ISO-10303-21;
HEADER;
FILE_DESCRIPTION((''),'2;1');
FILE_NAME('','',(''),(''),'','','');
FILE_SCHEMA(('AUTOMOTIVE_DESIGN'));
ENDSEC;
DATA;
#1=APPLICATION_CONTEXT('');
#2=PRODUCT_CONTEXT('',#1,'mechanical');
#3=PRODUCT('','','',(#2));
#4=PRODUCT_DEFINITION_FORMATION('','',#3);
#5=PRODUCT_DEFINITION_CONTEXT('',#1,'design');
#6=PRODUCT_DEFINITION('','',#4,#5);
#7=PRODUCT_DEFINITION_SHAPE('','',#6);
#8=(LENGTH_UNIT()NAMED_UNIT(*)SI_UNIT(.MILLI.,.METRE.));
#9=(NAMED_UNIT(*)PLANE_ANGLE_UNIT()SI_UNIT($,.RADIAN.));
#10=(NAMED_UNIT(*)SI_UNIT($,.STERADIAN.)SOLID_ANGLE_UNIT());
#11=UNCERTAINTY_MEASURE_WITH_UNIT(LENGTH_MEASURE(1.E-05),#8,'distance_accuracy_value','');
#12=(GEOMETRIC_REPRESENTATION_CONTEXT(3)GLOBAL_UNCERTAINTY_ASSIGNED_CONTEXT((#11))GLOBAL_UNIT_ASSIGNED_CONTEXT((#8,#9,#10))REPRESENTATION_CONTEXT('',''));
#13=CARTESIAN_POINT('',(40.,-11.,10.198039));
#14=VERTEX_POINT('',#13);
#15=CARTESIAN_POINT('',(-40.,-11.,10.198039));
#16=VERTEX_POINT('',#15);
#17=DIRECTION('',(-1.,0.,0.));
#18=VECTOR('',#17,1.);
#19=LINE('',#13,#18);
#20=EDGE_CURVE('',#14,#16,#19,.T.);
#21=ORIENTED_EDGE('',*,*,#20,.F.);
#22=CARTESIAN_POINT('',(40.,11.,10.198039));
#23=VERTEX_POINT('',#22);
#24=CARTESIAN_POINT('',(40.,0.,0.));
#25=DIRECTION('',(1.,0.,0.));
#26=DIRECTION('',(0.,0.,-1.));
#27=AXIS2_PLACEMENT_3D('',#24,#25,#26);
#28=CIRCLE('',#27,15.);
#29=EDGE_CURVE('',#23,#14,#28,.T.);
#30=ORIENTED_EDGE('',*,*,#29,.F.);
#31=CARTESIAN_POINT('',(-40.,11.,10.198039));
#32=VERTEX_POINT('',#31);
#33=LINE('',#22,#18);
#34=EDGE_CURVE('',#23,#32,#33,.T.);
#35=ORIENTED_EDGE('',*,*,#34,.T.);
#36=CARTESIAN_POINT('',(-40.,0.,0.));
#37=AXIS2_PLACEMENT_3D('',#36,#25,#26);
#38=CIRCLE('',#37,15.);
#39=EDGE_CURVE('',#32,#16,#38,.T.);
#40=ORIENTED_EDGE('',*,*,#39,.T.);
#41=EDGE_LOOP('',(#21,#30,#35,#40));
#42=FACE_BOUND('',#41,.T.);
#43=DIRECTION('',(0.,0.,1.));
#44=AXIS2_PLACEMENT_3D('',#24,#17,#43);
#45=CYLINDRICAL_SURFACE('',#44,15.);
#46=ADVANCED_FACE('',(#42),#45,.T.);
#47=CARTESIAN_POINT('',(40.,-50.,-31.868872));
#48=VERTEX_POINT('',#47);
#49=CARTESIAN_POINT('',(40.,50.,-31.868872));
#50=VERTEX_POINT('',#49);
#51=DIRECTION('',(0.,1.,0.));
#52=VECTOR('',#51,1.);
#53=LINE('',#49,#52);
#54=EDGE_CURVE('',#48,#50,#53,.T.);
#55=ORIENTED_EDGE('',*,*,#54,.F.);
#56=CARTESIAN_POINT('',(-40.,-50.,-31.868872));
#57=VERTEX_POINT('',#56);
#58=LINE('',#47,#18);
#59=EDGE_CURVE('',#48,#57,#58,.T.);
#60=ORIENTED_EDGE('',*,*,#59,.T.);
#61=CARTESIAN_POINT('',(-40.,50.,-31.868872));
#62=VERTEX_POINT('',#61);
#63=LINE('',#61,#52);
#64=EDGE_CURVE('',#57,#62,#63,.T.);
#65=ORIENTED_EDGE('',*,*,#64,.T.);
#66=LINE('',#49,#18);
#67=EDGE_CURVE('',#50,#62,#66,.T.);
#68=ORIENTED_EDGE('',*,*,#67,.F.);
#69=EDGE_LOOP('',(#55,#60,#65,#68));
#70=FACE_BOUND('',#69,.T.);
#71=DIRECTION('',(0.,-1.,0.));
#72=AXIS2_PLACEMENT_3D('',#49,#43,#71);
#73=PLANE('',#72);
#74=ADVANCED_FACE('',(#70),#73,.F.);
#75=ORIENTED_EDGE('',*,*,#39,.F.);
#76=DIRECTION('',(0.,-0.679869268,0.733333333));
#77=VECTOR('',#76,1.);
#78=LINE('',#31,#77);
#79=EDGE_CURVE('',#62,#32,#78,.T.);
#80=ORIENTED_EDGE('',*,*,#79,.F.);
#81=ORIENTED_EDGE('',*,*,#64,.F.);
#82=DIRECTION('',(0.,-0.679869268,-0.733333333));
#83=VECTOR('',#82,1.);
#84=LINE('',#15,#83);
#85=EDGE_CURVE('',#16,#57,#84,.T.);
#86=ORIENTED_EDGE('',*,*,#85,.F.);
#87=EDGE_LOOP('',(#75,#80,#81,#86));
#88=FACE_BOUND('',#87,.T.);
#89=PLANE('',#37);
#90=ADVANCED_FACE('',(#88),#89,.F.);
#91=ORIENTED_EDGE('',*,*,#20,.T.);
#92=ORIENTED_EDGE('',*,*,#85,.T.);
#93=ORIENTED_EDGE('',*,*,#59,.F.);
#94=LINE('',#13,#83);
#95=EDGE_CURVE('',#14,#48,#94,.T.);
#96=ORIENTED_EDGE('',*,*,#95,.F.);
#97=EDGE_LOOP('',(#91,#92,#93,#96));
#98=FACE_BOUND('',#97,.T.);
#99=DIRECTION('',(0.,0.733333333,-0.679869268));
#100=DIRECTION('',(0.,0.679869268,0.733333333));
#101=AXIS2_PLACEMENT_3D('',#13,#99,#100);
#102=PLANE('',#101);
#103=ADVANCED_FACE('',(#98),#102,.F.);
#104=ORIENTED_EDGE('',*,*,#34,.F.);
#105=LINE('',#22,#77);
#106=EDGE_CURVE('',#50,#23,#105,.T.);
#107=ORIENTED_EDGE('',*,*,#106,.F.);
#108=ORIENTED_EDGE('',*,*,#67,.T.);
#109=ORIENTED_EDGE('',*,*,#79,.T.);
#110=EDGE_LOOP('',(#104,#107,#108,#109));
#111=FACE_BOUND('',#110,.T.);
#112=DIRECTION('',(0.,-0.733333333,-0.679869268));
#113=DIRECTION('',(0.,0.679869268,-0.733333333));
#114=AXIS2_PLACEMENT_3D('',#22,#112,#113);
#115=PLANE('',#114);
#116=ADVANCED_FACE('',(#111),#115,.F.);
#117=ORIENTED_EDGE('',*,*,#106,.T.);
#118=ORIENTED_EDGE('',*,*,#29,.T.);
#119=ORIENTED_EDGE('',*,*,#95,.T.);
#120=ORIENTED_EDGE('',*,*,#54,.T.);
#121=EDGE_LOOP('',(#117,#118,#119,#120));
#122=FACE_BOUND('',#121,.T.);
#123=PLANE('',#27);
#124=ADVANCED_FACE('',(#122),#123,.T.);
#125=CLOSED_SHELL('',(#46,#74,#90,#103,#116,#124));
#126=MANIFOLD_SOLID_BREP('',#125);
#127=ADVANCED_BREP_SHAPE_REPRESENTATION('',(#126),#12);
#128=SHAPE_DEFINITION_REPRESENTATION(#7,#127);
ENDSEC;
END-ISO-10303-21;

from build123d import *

# Parameters (mm, degrees)
SALIENTE_EXTRUIR1_DEPTH = 40


with BuildPart() as part:
    # Croquis1 → Saliente-Extruir1 (new, symmetric)
    with BuildSketch(Plane(origin=(0, 0, 0), x_dir=(0, -1, 0), z_dir=(1, 0, 0))):
        with BuildLine():
            Line((-11, -10.198039027), (-50, 31.86887196))
            Line((-50, 31.86887196), (50, 31.86887196))
            Line((50, 31.86887196), (11, -10.198039027))
            ThreePointArc((11, -10.198039027), (0, -15), (-11, -10.198039027))
        make_face()
    extrude(amount=SALIENTE_EXTRUIR1_DEPTH, both=True)


solid = part.part
